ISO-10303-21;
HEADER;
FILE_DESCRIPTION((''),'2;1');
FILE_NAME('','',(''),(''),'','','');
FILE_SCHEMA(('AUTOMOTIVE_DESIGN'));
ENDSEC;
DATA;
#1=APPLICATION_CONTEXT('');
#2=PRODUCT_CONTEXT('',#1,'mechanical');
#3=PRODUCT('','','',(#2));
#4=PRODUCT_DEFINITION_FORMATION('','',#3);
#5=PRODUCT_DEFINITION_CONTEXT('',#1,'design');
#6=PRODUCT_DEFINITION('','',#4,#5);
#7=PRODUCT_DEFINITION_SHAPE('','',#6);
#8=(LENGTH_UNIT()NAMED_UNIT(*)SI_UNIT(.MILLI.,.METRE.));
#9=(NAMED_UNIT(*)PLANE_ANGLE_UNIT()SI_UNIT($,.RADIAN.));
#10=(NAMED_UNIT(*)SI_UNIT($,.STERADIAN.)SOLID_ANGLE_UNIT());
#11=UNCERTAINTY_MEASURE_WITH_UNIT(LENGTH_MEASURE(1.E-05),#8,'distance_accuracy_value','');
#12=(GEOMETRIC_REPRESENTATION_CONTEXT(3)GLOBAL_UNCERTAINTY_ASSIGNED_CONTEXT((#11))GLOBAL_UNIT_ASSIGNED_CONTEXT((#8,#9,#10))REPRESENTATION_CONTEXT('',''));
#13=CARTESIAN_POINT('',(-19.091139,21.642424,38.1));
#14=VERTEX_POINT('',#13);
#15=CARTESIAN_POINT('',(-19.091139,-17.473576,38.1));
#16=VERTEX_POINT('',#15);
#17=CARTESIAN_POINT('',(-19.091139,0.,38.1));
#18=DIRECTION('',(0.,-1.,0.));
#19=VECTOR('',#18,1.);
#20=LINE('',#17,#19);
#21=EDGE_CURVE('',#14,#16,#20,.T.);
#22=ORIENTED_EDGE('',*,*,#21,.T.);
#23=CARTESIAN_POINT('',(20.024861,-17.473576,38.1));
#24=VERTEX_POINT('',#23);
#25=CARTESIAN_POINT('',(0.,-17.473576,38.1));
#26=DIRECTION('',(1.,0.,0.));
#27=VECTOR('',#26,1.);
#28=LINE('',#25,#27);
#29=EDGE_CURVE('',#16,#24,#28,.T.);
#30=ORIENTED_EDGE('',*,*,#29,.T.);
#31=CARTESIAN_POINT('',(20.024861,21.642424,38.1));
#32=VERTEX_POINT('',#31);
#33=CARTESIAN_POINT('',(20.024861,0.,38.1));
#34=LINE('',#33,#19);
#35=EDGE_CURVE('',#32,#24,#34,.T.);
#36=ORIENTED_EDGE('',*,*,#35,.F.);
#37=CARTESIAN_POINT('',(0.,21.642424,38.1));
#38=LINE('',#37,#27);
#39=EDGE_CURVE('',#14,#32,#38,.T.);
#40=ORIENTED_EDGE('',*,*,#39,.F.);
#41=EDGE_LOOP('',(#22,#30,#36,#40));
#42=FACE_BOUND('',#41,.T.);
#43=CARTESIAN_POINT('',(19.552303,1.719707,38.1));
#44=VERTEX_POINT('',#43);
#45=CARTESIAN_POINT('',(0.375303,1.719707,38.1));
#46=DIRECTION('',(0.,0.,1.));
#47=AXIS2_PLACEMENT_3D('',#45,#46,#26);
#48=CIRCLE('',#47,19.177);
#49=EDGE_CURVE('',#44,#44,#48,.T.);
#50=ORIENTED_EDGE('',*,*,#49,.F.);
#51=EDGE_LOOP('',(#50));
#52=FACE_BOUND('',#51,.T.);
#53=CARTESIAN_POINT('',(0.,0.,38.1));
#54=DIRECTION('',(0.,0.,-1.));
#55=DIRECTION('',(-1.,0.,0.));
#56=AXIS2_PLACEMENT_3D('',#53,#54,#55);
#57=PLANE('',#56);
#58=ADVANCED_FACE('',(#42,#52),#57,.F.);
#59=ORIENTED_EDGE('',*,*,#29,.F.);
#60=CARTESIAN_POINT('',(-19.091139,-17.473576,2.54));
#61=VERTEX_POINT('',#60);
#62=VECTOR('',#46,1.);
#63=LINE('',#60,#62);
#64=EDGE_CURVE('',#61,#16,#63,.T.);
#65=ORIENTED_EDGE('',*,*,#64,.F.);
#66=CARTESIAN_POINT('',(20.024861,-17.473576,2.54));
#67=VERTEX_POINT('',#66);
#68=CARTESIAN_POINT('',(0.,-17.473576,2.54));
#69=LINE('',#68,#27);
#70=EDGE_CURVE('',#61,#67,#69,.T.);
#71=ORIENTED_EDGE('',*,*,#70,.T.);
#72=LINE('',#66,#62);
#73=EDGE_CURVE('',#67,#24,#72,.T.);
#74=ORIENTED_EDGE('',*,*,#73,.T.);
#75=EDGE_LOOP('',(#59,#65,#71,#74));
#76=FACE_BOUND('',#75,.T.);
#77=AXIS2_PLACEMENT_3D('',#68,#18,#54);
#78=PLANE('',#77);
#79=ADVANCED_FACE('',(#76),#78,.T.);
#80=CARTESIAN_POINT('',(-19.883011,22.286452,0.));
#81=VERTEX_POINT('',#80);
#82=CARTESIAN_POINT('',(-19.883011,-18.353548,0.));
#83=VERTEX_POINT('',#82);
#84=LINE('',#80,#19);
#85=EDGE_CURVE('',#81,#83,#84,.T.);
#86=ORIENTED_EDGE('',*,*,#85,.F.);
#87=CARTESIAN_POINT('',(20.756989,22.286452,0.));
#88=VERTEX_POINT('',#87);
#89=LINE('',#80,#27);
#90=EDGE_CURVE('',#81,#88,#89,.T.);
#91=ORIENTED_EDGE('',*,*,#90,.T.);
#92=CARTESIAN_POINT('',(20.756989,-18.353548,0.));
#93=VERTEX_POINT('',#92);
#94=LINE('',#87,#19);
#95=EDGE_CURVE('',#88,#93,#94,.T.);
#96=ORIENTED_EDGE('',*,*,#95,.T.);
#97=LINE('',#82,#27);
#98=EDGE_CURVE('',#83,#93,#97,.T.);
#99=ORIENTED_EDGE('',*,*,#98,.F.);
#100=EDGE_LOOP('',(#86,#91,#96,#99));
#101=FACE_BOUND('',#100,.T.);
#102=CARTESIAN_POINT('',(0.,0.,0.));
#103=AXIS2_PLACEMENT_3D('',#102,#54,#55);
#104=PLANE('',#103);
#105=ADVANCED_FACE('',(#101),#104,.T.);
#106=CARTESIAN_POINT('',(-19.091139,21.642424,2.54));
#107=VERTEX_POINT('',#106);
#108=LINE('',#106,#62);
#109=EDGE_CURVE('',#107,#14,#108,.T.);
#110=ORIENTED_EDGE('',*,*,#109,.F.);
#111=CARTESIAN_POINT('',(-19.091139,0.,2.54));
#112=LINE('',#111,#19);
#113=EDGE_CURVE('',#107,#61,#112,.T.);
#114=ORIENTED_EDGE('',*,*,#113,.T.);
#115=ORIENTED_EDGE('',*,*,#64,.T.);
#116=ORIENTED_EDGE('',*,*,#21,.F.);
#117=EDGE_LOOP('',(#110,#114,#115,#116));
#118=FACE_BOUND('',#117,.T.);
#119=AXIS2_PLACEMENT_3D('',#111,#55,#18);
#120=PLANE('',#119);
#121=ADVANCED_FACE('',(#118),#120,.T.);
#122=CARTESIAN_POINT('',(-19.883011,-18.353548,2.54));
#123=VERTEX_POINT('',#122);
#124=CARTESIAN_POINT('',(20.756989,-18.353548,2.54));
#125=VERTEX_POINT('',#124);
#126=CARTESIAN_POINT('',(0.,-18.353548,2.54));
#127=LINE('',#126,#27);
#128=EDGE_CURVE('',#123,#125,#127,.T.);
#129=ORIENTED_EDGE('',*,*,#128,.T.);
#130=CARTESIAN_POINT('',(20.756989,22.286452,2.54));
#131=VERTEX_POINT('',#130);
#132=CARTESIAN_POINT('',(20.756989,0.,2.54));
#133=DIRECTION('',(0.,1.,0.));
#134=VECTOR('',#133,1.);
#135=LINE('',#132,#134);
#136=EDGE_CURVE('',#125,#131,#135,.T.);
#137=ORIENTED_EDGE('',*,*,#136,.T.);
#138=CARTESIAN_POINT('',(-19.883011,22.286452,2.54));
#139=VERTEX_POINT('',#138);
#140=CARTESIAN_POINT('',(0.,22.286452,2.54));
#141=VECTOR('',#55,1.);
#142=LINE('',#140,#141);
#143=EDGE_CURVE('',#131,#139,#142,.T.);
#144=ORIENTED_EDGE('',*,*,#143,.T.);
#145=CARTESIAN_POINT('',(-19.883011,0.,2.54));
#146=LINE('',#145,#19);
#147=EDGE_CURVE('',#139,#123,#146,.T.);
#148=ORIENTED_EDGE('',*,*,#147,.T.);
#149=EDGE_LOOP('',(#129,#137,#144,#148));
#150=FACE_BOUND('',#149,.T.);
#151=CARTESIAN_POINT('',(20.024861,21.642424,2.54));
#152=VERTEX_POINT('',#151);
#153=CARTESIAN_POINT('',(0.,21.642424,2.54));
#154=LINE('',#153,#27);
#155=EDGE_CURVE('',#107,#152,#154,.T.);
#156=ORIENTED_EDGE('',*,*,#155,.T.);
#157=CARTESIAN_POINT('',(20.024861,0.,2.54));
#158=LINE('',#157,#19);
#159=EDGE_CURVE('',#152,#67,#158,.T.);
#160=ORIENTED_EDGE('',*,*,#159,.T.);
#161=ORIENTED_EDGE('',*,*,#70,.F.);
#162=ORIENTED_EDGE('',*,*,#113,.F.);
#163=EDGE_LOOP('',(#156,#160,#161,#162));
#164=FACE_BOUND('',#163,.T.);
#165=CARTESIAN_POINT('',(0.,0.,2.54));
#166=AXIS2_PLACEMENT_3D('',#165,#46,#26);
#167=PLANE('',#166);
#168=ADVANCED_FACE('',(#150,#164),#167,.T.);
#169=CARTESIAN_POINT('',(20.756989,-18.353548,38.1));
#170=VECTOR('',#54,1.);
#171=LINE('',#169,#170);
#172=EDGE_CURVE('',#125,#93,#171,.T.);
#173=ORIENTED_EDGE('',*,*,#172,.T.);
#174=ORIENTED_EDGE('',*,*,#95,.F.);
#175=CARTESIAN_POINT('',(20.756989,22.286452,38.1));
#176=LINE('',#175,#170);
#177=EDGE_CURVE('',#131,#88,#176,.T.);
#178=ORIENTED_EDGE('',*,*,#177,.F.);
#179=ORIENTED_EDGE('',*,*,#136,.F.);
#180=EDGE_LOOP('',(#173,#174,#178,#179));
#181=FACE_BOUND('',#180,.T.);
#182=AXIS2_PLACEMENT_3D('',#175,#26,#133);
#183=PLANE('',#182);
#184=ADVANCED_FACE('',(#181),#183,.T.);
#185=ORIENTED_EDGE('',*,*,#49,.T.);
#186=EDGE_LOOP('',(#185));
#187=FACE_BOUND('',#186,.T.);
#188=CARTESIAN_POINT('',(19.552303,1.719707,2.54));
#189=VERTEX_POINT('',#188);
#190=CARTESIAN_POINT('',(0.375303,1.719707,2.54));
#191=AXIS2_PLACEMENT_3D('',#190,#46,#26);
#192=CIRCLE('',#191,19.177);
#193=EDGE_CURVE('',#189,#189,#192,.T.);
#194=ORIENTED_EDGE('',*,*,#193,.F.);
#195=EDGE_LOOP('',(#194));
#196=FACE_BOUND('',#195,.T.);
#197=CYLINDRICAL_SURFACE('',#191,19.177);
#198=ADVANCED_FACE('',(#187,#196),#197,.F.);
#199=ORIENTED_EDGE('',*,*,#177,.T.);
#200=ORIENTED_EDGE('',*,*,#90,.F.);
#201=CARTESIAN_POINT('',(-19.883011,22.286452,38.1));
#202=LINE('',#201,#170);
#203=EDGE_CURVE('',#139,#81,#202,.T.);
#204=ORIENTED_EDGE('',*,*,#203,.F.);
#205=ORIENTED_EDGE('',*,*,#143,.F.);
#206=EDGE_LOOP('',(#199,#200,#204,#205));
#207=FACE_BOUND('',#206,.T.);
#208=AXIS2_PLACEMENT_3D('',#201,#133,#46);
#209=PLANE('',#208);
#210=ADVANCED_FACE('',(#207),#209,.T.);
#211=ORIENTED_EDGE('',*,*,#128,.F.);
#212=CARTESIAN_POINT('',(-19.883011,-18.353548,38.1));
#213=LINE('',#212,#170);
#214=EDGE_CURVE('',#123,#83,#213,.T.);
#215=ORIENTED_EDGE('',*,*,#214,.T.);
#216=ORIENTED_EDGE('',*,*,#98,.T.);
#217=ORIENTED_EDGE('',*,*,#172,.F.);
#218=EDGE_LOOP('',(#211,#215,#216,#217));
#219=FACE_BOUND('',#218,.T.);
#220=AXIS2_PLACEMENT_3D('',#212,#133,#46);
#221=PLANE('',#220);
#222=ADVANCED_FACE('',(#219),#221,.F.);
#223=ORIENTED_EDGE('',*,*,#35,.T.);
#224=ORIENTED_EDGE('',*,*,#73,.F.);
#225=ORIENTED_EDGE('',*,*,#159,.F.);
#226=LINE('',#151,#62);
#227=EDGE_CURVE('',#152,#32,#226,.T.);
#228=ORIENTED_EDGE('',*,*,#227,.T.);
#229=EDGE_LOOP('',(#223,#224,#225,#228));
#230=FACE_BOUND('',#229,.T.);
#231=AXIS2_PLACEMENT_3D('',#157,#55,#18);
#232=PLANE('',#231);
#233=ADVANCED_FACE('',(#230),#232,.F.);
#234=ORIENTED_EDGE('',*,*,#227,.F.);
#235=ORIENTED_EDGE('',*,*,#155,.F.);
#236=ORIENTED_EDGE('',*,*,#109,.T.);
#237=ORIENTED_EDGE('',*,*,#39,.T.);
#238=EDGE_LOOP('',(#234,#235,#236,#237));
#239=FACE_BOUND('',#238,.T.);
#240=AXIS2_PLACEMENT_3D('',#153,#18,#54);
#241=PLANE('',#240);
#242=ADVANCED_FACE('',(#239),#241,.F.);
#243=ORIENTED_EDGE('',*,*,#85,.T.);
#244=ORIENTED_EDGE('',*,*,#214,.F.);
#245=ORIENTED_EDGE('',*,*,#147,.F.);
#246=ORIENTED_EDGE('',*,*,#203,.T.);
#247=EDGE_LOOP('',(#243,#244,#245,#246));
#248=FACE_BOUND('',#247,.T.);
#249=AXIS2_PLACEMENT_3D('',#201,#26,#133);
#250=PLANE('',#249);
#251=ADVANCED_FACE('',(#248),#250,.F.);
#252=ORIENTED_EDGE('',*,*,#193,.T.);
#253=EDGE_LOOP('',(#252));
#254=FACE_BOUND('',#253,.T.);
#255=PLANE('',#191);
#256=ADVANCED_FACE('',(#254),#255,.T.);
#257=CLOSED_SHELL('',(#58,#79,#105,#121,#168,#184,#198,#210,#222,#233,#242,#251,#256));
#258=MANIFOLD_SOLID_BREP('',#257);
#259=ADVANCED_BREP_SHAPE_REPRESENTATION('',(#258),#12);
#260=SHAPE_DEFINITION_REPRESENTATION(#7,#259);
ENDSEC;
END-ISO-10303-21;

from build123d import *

# Parameters (mm, degrees)
SKETCH2_W           = 40.64
SKETCH2_H           = 40.64
BOSS_EXTRUDE1_DEPTH = 38.1
SKETCH3_W           = 40.64
SKETCH3_H           = 40.64
SKETCH3_W_2         = 39.116
SKETCH3_H_2         = 39.116
CUT_EXTRUDE1_DEPTH  = 35.56
SKETCH4_R           = 19.177
CUT_EXTRUDE3_DEPTH  = 35.56


with BuildPart() as part:
    # Sketch2 → Boss-Extrude1 (new body)
    with BuildSketch(Plane.XY):
        with Locations((0.436989247, 1.966451613)):
            Rectangle(SKETCH2_W, SKETCH2_H)
    extrude(amount=BOSS_EXTRUDE1_DEPTH)

    # Sketch3 → Cut-Extrude1 (cut)
    with BuildSketch(Plane.XY.offset(38.1)):
        with Locations((0.436989247, 1.966451613)):
            Rectangle(SKETCH3_W, SKETCH3_H)
        with Locations((0.466860662, 2.084424142)):
            Rectangle(SKETCH3_W_2, SKETCH3_H_2, mode=Mode.SUBTRACT)
    extrude(amount=-CUT_EXTRUDE1_DEPTH, mode=Mode.SUBTRACT)

    # Sketch4 → Cut-Extrude3 (cut)
    with BuildSketch(Plane.XY.offset(38.1)):
        with Locations((0.37530299, 1.719706585)):
            Circle(SKETCH4_R)
    extrude(amount=-CUT_EXTRUDE3_DEPTH, mode=Mode.SUBTRACT)


solid = part.part
